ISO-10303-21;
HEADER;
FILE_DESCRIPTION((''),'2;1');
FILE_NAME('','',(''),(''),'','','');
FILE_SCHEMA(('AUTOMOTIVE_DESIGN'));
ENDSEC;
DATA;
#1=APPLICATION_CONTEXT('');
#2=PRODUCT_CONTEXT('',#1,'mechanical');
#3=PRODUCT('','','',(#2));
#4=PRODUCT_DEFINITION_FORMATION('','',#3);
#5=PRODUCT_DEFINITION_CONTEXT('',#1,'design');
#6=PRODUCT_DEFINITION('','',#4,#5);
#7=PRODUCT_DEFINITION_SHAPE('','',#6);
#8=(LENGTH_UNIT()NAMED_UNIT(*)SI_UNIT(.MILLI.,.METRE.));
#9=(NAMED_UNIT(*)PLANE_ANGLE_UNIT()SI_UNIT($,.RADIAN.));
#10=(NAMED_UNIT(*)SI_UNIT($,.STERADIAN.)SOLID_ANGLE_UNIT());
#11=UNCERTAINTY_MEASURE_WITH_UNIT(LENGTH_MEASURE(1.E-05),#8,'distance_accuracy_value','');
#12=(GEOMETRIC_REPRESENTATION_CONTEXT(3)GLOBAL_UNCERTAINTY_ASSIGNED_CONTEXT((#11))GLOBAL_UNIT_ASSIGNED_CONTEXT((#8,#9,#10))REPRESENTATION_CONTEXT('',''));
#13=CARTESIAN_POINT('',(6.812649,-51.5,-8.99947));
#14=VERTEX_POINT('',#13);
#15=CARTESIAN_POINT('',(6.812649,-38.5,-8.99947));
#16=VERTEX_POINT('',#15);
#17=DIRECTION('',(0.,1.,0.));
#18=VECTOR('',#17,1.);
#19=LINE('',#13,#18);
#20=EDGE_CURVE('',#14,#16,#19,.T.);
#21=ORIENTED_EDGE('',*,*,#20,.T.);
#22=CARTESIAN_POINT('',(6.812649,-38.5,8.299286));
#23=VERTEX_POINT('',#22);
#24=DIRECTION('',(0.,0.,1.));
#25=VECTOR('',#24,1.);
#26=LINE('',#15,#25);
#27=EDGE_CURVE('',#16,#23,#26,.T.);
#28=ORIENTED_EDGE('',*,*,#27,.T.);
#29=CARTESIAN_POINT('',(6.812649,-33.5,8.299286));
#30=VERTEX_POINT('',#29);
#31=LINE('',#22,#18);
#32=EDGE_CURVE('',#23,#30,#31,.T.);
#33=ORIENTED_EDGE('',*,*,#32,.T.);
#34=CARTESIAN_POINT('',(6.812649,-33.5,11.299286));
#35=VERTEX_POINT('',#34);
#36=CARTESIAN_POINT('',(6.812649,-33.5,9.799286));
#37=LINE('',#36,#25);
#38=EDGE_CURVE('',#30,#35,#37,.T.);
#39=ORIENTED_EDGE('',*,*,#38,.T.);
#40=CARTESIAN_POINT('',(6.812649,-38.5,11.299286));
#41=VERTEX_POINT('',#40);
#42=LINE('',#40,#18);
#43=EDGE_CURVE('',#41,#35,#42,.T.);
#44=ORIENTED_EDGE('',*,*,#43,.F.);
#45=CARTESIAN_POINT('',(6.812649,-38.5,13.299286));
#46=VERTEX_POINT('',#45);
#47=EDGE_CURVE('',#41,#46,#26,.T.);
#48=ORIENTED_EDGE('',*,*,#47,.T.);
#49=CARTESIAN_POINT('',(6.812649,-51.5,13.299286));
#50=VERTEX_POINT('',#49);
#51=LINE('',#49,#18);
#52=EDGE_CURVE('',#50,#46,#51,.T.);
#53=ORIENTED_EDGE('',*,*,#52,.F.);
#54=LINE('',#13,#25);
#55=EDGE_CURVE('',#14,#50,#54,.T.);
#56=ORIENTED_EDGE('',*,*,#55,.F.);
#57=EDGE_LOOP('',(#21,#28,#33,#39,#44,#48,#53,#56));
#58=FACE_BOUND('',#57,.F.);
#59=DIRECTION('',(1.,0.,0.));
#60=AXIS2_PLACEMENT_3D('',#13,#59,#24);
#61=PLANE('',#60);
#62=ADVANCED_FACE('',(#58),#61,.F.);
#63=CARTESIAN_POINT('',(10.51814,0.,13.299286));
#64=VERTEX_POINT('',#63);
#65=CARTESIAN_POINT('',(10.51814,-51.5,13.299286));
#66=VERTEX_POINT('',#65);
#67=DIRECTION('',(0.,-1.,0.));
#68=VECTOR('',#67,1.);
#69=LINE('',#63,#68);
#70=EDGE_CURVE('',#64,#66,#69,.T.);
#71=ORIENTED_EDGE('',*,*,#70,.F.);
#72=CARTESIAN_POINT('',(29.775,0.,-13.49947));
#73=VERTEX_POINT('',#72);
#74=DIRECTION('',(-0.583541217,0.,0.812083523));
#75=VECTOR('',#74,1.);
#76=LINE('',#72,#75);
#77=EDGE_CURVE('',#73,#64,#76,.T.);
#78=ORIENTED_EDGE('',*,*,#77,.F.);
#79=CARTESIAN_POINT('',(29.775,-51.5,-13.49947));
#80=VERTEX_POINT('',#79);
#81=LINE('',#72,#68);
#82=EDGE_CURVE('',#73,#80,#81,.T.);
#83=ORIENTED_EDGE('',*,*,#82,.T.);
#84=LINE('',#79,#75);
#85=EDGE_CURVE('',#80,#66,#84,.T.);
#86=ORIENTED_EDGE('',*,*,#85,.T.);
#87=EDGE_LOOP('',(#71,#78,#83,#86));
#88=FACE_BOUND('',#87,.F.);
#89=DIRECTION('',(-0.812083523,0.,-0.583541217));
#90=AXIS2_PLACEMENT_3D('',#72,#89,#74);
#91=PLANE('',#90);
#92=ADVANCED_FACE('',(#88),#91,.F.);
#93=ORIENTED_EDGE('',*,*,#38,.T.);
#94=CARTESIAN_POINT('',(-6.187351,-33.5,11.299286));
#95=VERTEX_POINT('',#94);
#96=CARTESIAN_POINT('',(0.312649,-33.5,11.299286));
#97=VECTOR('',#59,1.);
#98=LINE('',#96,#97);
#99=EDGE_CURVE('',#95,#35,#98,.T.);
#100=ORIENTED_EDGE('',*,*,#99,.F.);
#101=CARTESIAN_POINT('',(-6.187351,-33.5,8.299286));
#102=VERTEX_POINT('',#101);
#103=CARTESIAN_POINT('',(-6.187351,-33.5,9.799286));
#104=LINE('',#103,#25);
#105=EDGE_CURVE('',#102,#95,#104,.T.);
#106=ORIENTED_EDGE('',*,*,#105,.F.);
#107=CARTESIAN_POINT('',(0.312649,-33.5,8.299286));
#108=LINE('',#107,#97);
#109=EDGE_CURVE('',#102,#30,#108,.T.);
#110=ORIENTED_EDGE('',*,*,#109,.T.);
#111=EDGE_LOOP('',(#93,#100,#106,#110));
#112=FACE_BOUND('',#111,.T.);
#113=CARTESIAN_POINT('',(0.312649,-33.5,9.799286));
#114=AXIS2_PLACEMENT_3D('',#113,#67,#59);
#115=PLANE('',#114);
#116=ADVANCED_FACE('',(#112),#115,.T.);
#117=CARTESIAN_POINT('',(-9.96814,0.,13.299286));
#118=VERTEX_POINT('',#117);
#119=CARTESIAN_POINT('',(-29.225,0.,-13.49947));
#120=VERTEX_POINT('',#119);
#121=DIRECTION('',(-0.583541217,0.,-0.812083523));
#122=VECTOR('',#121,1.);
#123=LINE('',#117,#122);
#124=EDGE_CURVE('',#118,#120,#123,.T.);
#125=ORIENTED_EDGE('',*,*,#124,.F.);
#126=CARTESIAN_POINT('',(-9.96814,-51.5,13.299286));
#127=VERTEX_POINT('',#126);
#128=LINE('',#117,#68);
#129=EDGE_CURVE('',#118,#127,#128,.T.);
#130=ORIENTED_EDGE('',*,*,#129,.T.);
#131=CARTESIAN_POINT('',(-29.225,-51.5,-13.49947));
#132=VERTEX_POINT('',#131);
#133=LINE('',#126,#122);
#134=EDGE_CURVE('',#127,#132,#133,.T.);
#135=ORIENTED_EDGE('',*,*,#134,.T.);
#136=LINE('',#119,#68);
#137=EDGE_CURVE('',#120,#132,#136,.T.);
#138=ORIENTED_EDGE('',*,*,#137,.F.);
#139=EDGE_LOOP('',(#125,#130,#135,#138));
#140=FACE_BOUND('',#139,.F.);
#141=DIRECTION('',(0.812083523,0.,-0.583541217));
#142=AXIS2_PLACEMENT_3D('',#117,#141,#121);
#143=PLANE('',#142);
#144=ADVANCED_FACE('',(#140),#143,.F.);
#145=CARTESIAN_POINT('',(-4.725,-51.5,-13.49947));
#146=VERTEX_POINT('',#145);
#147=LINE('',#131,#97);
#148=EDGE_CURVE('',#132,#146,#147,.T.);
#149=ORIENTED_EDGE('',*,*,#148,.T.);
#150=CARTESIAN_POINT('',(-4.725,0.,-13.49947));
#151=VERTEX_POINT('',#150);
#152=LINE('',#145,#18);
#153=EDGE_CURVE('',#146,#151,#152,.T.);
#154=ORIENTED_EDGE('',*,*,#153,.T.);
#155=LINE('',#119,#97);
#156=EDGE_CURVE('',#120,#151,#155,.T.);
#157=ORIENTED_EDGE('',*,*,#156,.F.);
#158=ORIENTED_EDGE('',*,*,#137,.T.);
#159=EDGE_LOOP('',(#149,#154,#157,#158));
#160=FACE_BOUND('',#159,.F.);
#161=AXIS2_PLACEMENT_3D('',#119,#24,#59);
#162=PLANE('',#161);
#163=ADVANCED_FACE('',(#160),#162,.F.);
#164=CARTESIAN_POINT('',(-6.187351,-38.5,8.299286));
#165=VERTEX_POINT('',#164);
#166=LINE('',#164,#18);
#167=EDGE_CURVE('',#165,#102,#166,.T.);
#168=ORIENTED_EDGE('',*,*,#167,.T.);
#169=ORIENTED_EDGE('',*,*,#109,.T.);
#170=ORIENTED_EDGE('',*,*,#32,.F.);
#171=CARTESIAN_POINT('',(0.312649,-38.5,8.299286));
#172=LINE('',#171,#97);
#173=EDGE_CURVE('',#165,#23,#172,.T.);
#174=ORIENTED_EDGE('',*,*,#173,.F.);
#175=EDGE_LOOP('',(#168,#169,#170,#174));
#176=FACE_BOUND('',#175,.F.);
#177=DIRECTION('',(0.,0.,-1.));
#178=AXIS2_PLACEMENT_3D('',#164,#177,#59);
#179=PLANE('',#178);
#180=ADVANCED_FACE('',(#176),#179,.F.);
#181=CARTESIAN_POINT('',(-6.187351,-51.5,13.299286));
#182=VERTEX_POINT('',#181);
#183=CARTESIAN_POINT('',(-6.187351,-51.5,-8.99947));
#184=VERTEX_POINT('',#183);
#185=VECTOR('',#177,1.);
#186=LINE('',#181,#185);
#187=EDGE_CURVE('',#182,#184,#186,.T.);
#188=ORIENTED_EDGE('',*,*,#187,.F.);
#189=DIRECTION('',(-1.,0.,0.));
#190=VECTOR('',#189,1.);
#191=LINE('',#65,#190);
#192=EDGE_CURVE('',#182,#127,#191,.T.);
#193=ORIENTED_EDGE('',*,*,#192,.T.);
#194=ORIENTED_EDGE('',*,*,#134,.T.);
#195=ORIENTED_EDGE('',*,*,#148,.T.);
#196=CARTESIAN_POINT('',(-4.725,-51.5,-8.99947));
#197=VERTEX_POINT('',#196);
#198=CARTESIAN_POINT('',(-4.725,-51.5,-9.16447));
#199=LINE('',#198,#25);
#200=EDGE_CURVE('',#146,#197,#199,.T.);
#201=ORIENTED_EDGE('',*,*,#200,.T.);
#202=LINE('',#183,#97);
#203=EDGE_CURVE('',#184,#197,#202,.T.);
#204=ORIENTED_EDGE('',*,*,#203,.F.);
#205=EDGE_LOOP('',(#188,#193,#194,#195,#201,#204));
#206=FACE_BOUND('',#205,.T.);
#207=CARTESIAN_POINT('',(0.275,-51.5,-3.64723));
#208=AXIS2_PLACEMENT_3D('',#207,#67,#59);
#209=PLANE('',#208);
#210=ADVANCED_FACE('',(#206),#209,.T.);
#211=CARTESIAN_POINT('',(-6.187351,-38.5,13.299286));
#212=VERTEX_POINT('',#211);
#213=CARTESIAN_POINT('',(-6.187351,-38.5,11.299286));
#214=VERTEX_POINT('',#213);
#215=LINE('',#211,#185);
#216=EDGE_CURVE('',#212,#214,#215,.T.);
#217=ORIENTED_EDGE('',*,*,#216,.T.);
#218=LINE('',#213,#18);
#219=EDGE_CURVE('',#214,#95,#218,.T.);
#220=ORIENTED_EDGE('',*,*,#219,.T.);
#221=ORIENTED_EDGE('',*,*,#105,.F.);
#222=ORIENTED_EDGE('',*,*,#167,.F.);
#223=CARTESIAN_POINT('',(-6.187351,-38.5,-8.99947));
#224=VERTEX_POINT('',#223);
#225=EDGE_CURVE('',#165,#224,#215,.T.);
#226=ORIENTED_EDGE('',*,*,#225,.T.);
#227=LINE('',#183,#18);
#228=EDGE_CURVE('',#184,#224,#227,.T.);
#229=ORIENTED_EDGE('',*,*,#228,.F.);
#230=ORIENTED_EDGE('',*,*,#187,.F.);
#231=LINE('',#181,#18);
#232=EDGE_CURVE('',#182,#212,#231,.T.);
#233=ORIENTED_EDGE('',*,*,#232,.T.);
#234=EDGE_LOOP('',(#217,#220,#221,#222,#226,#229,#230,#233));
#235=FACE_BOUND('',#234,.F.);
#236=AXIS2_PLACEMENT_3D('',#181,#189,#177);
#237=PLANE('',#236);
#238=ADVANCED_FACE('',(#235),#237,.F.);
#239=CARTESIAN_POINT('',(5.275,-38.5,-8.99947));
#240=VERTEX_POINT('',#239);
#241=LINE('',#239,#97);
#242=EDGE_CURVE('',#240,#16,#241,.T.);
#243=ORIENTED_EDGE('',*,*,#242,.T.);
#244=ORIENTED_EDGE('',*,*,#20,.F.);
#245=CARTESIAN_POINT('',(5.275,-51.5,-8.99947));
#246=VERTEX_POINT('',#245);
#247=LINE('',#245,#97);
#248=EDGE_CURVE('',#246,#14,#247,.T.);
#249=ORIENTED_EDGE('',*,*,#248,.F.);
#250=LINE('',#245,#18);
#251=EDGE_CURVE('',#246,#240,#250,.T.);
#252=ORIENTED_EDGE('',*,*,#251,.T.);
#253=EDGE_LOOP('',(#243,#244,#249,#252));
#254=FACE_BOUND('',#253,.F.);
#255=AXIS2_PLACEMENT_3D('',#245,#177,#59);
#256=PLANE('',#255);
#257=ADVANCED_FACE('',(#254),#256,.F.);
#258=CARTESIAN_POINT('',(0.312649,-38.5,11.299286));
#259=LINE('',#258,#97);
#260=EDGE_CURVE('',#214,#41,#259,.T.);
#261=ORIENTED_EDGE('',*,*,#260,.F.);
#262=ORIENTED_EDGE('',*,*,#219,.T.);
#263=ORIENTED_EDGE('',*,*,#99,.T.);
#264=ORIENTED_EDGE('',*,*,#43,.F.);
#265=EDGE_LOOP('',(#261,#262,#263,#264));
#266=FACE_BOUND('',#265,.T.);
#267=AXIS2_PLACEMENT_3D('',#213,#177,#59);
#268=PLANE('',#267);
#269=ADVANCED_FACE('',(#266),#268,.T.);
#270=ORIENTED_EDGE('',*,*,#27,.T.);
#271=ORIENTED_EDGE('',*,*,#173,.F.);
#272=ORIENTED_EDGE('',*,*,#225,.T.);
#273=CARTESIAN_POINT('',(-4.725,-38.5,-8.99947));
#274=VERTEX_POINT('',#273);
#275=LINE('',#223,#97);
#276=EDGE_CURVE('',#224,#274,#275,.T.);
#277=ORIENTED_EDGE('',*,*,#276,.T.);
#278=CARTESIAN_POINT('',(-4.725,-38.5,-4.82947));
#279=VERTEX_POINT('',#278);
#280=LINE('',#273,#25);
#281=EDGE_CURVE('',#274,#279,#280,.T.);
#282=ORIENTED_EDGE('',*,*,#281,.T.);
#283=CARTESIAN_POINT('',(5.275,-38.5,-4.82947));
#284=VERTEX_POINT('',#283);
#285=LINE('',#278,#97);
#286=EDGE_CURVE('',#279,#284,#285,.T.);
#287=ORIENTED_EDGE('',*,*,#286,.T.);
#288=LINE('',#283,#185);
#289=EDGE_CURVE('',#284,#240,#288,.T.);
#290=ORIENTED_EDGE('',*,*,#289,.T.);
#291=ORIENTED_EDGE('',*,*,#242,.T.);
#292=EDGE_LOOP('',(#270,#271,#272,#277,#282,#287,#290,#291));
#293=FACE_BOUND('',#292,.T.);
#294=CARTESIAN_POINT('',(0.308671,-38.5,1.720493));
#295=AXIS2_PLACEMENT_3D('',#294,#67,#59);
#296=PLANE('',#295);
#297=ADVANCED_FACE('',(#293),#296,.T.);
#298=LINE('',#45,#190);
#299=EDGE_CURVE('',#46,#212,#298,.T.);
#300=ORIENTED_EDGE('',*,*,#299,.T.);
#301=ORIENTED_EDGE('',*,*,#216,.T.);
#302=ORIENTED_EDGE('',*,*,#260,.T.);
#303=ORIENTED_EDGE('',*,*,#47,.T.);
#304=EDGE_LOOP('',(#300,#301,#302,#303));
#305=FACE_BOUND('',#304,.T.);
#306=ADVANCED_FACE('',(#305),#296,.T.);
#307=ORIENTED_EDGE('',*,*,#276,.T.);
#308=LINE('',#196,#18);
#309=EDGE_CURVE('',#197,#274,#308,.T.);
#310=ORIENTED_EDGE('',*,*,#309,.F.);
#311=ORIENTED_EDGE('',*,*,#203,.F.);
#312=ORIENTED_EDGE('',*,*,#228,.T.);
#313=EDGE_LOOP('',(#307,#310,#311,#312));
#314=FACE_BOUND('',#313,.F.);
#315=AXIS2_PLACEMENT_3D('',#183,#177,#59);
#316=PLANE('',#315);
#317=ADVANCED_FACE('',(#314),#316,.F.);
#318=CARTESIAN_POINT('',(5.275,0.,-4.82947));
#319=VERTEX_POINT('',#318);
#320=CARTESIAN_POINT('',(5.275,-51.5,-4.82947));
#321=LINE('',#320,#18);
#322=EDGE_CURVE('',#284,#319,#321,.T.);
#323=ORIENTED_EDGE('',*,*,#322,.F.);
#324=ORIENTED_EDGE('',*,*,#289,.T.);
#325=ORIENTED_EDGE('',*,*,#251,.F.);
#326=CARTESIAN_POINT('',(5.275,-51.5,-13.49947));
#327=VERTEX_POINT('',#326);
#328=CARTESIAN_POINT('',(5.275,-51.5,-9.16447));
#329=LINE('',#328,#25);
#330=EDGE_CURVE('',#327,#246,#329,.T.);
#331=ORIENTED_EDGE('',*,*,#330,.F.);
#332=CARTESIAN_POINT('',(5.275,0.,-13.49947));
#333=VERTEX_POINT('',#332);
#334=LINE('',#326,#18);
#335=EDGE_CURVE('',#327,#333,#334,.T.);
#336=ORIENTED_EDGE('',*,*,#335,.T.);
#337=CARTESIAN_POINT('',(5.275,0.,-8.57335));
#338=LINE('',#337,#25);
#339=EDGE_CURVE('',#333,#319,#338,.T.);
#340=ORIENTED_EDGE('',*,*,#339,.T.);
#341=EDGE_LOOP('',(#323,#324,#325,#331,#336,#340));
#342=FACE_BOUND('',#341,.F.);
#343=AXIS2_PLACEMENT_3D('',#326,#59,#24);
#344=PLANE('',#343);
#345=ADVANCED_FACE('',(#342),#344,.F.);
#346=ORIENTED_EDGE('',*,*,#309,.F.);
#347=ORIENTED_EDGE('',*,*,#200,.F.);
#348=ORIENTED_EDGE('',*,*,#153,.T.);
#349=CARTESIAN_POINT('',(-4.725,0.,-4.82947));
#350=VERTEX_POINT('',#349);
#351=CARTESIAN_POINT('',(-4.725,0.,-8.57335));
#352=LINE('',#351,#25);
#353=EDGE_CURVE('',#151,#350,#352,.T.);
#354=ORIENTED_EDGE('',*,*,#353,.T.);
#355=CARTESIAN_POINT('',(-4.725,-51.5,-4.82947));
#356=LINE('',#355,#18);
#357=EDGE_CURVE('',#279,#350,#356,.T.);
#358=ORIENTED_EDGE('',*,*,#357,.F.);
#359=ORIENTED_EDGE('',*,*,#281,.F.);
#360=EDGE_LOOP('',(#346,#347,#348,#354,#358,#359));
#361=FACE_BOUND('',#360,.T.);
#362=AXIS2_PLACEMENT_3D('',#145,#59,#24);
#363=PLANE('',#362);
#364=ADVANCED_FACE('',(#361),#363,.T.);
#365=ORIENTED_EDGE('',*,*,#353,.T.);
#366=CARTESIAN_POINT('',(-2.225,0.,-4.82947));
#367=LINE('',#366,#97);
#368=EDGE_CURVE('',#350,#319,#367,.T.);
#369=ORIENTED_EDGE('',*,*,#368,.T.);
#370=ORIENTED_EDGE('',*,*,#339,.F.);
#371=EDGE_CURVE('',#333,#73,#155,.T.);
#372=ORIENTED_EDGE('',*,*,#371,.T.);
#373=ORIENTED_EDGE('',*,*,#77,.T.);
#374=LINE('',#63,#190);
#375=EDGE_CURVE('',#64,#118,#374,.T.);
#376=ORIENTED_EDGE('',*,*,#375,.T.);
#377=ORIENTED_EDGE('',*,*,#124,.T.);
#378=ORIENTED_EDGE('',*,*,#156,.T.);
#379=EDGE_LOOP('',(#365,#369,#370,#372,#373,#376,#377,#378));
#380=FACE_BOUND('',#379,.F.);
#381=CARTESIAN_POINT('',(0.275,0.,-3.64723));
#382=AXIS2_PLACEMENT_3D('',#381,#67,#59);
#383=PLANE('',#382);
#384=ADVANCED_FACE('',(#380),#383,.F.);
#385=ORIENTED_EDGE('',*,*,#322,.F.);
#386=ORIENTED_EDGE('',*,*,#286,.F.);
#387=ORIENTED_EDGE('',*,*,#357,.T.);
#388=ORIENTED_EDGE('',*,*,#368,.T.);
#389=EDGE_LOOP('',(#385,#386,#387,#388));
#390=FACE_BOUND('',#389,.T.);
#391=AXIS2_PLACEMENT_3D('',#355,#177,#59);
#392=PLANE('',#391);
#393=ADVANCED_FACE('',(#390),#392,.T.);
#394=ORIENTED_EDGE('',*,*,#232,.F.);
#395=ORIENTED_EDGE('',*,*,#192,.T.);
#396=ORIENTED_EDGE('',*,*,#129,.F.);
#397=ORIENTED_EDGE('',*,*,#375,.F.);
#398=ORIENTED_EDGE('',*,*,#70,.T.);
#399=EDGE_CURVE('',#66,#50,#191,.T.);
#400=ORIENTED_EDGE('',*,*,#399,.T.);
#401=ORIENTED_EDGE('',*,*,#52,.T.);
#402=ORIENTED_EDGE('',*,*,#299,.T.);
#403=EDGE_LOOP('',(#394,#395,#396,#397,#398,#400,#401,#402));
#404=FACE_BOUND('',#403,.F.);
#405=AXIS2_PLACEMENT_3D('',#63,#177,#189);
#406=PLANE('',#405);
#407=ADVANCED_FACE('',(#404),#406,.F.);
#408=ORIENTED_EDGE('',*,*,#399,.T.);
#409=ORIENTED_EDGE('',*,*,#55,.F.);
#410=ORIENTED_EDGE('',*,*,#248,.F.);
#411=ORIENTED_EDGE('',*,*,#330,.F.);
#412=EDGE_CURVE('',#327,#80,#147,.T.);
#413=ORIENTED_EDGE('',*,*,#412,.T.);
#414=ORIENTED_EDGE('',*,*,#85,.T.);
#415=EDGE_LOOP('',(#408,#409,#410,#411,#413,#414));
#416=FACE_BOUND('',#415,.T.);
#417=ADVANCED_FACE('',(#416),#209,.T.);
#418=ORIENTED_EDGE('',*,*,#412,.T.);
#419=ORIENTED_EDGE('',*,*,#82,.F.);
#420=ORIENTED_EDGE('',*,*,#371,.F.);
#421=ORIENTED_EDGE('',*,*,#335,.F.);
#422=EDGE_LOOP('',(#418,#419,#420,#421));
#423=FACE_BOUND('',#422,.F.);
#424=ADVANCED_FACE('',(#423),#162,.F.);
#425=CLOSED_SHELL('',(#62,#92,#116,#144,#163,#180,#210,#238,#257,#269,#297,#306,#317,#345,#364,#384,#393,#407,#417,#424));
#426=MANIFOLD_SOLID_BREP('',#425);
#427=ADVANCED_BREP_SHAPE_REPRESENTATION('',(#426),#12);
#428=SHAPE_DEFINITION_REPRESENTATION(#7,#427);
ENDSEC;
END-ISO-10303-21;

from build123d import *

# Parameters (mm, degrees)
F1_DEPTH = 51.5
F2_W     = 10
F2_H     = 8.67
F3_DEPTH = 51.501
F5_DEPTH = 13
F6_W     = 13
F6_H     = 3
F7_DEPTH = 5


with BuildPart() as f1:
    # F0 (on Front) → F1 (new body)
    with BuildSketch(Plane.XZ):
        Polygon((-9.96814, 13.299286), (-29.225, -13.49947), (29.775, -13.49947), (10.51814, 13.299286), align=None)
    extrude(amount=F1_DEPTH)

    # F2 (on face) → F3 (cut, through all)
    with BuildSketch(Plane.XZ.offset(51.5)):
        with Locations((0.275, -9.16447)):
            Rectangle(F2_W, F2_H)
    extrude(amount=-F3_DEPTH, mode=Mode.SUBTRACT)

    # F4 (on face) → F5 (cut)
    with BuildSketch(Plane.XZ.offset(51.5)):
        Polygon((-6.187351, -8.99947), (-4.725, -8.99947), (-4.725, -4.82947), (5.275, -4.82947), (5.275, -8.99947), (6.812649, -8.99947), (6.812649, 13.299286), (-6.187351, 13.299286), align=None)
    extrude(amount=-F5_DEPTH, mode=Mode.SUBTRACT)

    # F6 (on face) → F7 (cut)
    with BuildSketch(Plane.XZ.offset(38.5)):
        with Locations((0.312649, 9.799286)):
            Rectangle(F6_W, F6_H)
    extrude(amount=-F7_DEPTH, mode=Mode.SUBTRACT)


solid = f1.part
